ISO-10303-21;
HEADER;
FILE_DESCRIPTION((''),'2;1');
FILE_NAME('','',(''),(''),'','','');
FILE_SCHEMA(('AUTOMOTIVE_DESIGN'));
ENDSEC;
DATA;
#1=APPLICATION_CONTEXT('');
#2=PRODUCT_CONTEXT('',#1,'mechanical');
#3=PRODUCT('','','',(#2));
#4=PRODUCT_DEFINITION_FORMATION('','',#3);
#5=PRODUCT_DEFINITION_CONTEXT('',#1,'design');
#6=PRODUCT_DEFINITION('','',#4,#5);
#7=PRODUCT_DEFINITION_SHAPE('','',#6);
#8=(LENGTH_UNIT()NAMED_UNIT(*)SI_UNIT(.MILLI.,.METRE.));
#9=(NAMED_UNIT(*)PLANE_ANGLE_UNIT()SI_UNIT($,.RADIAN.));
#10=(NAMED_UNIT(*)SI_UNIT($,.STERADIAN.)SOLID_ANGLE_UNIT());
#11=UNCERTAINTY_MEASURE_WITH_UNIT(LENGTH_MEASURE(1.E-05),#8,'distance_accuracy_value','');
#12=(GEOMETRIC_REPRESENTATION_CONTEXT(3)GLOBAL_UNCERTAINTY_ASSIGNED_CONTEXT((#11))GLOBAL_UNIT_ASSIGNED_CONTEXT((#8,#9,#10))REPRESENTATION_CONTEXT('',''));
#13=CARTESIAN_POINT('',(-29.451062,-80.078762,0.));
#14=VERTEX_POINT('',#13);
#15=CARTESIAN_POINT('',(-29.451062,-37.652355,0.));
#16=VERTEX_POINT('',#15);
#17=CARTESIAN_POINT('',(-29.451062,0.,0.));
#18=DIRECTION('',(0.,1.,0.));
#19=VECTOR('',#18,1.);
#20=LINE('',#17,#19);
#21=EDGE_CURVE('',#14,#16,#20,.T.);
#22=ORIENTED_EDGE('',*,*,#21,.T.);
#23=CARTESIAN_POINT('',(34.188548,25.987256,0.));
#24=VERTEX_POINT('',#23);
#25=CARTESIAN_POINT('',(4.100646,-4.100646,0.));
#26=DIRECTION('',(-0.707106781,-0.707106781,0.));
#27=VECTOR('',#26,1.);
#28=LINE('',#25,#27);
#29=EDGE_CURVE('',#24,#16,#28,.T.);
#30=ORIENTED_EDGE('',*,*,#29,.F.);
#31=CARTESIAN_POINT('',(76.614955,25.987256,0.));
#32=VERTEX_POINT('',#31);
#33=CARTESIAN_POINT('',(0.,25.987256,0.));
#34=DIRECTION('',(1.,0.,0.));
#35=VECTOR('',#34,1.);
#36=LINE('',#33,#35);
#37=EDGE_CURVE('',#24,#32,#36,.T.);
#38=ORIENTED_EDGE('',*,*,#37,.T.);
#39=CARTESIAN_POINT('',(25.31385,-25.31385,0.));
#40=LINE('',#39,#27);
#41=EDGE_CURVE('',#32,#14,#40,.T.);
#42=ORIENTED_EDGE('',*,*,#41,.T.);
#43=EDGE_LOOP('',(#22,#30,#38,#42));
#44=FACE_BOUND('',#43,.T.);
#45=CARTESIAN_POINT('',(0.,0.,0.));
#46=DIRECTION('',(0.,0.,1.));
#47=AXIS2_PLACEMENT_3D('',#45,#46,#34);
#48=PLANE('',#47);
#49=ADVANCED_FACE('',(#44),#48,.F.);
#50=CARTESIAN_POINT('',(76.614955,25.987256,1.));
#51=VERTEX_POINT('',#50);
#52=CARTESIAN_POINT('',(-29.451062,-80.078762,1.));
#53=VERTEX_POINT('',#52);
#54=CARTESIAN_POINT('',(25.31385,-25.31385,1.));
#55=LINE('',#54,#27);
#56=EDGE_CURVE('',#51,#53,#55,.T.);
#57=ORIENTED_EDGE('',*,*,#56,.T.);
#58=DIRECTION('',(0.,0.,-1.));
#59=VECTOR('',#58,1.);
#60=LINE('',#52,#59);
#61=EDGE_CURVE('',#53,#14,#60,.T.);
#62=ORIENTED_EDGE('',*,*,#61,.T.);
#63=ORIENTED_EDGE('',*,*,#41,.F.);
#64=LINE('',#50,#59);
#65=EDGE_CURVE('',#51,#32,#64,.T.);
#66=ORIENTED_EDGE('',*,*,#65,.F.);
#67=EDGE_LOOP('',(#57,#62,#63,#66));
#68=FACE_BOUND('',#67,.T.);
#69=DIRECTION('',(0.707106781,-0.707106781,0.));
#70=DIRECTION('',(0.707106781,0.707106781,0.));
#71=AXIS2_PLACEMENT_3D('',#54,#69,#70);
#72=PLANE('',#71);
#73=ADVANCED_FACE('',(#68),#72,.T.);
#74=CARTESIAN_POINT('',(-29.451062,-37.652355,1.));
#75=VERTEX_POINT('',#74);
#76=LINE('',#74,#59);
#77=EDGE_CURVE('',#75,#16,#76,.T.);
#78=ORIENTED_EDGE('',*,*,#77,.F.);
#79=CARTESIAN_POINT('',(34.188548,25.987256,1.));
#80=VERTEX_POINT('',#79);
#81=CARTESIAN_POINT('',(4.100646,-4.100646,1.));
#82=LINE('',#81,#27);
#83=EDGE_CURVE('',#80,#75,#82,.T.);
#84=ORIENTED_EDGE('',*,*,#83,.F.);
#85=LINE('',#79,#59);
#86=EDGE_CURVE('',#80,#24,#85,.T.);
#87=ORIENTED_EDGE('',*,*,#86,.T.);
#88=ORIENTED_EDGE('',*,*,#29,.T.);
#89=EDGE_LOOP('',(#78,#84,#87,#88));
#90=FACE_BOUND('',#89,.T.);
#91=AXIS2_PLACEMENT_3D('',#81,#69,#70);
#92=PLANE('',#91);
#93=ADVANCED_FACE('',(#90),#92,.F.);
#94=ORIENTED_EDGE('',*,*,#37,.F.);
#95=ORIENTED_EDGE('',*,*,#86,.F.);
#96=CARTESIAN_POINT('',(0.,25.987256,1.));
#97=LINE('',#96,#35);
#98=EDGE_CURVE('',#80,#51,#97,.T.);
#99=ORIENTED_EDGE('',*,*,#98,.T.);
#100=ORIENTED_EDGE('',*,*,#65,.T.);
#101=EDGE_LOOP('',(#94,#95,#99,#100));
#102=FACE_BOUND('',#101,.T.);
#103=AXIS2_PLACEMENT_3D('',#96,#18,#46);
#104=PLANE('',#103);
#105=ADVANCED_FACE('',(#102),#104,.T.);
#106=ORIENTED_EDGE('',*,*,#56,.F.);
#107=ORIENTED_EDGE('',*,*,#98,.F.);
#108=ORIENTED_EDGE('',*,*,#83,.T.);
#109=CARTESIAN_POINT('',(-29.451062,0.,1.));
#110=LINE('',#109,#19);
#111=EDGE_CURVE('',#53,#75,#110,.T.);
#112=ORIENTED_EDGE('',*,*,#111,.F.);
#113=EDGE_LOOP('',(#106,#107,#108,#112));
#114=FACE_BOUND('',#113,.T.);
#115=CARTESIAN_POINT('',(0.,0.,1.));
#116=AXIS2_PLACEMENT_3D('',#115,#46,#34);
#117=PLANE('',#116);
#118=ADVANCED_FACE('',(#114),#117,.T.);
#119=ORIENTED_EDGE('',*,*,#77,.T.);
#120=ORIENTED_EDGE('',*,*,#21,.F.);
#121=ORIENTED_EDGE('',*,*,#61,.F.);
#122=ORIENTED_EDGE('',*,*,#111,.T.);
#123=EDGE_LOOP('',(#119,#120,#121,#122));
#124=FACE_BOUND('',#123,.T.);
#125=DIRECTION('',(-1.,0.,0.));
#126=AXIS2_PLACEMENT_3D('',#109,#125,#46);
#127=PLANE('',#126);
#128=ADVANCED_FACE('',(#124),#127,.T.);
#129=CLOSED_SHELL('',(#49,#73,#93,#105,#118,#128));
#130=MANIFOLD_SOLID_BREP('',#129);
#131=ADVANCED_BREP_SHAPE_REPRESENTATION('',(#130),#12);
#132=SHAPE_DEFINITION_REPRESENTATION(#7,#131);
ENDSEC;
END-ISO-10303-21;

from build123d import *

# Parameters (mm, degrees)
BOSS_EXTRUDE1_DEPTH = 1


with BuildPart() as part:
    # Sketch1 → Boss-Extrude1 (new body)
    with BuildSketch(Plane.XY):
        Polygon((-29.451062124, -80.078761548), (76.614955054, 25.987255629), (34.188548183, 25.987255629), (-29.451062124, -37.652354677), align=None)
    extrude(amount=BOSS_EXTRUDE1_DEPTH)


solid = part.part
